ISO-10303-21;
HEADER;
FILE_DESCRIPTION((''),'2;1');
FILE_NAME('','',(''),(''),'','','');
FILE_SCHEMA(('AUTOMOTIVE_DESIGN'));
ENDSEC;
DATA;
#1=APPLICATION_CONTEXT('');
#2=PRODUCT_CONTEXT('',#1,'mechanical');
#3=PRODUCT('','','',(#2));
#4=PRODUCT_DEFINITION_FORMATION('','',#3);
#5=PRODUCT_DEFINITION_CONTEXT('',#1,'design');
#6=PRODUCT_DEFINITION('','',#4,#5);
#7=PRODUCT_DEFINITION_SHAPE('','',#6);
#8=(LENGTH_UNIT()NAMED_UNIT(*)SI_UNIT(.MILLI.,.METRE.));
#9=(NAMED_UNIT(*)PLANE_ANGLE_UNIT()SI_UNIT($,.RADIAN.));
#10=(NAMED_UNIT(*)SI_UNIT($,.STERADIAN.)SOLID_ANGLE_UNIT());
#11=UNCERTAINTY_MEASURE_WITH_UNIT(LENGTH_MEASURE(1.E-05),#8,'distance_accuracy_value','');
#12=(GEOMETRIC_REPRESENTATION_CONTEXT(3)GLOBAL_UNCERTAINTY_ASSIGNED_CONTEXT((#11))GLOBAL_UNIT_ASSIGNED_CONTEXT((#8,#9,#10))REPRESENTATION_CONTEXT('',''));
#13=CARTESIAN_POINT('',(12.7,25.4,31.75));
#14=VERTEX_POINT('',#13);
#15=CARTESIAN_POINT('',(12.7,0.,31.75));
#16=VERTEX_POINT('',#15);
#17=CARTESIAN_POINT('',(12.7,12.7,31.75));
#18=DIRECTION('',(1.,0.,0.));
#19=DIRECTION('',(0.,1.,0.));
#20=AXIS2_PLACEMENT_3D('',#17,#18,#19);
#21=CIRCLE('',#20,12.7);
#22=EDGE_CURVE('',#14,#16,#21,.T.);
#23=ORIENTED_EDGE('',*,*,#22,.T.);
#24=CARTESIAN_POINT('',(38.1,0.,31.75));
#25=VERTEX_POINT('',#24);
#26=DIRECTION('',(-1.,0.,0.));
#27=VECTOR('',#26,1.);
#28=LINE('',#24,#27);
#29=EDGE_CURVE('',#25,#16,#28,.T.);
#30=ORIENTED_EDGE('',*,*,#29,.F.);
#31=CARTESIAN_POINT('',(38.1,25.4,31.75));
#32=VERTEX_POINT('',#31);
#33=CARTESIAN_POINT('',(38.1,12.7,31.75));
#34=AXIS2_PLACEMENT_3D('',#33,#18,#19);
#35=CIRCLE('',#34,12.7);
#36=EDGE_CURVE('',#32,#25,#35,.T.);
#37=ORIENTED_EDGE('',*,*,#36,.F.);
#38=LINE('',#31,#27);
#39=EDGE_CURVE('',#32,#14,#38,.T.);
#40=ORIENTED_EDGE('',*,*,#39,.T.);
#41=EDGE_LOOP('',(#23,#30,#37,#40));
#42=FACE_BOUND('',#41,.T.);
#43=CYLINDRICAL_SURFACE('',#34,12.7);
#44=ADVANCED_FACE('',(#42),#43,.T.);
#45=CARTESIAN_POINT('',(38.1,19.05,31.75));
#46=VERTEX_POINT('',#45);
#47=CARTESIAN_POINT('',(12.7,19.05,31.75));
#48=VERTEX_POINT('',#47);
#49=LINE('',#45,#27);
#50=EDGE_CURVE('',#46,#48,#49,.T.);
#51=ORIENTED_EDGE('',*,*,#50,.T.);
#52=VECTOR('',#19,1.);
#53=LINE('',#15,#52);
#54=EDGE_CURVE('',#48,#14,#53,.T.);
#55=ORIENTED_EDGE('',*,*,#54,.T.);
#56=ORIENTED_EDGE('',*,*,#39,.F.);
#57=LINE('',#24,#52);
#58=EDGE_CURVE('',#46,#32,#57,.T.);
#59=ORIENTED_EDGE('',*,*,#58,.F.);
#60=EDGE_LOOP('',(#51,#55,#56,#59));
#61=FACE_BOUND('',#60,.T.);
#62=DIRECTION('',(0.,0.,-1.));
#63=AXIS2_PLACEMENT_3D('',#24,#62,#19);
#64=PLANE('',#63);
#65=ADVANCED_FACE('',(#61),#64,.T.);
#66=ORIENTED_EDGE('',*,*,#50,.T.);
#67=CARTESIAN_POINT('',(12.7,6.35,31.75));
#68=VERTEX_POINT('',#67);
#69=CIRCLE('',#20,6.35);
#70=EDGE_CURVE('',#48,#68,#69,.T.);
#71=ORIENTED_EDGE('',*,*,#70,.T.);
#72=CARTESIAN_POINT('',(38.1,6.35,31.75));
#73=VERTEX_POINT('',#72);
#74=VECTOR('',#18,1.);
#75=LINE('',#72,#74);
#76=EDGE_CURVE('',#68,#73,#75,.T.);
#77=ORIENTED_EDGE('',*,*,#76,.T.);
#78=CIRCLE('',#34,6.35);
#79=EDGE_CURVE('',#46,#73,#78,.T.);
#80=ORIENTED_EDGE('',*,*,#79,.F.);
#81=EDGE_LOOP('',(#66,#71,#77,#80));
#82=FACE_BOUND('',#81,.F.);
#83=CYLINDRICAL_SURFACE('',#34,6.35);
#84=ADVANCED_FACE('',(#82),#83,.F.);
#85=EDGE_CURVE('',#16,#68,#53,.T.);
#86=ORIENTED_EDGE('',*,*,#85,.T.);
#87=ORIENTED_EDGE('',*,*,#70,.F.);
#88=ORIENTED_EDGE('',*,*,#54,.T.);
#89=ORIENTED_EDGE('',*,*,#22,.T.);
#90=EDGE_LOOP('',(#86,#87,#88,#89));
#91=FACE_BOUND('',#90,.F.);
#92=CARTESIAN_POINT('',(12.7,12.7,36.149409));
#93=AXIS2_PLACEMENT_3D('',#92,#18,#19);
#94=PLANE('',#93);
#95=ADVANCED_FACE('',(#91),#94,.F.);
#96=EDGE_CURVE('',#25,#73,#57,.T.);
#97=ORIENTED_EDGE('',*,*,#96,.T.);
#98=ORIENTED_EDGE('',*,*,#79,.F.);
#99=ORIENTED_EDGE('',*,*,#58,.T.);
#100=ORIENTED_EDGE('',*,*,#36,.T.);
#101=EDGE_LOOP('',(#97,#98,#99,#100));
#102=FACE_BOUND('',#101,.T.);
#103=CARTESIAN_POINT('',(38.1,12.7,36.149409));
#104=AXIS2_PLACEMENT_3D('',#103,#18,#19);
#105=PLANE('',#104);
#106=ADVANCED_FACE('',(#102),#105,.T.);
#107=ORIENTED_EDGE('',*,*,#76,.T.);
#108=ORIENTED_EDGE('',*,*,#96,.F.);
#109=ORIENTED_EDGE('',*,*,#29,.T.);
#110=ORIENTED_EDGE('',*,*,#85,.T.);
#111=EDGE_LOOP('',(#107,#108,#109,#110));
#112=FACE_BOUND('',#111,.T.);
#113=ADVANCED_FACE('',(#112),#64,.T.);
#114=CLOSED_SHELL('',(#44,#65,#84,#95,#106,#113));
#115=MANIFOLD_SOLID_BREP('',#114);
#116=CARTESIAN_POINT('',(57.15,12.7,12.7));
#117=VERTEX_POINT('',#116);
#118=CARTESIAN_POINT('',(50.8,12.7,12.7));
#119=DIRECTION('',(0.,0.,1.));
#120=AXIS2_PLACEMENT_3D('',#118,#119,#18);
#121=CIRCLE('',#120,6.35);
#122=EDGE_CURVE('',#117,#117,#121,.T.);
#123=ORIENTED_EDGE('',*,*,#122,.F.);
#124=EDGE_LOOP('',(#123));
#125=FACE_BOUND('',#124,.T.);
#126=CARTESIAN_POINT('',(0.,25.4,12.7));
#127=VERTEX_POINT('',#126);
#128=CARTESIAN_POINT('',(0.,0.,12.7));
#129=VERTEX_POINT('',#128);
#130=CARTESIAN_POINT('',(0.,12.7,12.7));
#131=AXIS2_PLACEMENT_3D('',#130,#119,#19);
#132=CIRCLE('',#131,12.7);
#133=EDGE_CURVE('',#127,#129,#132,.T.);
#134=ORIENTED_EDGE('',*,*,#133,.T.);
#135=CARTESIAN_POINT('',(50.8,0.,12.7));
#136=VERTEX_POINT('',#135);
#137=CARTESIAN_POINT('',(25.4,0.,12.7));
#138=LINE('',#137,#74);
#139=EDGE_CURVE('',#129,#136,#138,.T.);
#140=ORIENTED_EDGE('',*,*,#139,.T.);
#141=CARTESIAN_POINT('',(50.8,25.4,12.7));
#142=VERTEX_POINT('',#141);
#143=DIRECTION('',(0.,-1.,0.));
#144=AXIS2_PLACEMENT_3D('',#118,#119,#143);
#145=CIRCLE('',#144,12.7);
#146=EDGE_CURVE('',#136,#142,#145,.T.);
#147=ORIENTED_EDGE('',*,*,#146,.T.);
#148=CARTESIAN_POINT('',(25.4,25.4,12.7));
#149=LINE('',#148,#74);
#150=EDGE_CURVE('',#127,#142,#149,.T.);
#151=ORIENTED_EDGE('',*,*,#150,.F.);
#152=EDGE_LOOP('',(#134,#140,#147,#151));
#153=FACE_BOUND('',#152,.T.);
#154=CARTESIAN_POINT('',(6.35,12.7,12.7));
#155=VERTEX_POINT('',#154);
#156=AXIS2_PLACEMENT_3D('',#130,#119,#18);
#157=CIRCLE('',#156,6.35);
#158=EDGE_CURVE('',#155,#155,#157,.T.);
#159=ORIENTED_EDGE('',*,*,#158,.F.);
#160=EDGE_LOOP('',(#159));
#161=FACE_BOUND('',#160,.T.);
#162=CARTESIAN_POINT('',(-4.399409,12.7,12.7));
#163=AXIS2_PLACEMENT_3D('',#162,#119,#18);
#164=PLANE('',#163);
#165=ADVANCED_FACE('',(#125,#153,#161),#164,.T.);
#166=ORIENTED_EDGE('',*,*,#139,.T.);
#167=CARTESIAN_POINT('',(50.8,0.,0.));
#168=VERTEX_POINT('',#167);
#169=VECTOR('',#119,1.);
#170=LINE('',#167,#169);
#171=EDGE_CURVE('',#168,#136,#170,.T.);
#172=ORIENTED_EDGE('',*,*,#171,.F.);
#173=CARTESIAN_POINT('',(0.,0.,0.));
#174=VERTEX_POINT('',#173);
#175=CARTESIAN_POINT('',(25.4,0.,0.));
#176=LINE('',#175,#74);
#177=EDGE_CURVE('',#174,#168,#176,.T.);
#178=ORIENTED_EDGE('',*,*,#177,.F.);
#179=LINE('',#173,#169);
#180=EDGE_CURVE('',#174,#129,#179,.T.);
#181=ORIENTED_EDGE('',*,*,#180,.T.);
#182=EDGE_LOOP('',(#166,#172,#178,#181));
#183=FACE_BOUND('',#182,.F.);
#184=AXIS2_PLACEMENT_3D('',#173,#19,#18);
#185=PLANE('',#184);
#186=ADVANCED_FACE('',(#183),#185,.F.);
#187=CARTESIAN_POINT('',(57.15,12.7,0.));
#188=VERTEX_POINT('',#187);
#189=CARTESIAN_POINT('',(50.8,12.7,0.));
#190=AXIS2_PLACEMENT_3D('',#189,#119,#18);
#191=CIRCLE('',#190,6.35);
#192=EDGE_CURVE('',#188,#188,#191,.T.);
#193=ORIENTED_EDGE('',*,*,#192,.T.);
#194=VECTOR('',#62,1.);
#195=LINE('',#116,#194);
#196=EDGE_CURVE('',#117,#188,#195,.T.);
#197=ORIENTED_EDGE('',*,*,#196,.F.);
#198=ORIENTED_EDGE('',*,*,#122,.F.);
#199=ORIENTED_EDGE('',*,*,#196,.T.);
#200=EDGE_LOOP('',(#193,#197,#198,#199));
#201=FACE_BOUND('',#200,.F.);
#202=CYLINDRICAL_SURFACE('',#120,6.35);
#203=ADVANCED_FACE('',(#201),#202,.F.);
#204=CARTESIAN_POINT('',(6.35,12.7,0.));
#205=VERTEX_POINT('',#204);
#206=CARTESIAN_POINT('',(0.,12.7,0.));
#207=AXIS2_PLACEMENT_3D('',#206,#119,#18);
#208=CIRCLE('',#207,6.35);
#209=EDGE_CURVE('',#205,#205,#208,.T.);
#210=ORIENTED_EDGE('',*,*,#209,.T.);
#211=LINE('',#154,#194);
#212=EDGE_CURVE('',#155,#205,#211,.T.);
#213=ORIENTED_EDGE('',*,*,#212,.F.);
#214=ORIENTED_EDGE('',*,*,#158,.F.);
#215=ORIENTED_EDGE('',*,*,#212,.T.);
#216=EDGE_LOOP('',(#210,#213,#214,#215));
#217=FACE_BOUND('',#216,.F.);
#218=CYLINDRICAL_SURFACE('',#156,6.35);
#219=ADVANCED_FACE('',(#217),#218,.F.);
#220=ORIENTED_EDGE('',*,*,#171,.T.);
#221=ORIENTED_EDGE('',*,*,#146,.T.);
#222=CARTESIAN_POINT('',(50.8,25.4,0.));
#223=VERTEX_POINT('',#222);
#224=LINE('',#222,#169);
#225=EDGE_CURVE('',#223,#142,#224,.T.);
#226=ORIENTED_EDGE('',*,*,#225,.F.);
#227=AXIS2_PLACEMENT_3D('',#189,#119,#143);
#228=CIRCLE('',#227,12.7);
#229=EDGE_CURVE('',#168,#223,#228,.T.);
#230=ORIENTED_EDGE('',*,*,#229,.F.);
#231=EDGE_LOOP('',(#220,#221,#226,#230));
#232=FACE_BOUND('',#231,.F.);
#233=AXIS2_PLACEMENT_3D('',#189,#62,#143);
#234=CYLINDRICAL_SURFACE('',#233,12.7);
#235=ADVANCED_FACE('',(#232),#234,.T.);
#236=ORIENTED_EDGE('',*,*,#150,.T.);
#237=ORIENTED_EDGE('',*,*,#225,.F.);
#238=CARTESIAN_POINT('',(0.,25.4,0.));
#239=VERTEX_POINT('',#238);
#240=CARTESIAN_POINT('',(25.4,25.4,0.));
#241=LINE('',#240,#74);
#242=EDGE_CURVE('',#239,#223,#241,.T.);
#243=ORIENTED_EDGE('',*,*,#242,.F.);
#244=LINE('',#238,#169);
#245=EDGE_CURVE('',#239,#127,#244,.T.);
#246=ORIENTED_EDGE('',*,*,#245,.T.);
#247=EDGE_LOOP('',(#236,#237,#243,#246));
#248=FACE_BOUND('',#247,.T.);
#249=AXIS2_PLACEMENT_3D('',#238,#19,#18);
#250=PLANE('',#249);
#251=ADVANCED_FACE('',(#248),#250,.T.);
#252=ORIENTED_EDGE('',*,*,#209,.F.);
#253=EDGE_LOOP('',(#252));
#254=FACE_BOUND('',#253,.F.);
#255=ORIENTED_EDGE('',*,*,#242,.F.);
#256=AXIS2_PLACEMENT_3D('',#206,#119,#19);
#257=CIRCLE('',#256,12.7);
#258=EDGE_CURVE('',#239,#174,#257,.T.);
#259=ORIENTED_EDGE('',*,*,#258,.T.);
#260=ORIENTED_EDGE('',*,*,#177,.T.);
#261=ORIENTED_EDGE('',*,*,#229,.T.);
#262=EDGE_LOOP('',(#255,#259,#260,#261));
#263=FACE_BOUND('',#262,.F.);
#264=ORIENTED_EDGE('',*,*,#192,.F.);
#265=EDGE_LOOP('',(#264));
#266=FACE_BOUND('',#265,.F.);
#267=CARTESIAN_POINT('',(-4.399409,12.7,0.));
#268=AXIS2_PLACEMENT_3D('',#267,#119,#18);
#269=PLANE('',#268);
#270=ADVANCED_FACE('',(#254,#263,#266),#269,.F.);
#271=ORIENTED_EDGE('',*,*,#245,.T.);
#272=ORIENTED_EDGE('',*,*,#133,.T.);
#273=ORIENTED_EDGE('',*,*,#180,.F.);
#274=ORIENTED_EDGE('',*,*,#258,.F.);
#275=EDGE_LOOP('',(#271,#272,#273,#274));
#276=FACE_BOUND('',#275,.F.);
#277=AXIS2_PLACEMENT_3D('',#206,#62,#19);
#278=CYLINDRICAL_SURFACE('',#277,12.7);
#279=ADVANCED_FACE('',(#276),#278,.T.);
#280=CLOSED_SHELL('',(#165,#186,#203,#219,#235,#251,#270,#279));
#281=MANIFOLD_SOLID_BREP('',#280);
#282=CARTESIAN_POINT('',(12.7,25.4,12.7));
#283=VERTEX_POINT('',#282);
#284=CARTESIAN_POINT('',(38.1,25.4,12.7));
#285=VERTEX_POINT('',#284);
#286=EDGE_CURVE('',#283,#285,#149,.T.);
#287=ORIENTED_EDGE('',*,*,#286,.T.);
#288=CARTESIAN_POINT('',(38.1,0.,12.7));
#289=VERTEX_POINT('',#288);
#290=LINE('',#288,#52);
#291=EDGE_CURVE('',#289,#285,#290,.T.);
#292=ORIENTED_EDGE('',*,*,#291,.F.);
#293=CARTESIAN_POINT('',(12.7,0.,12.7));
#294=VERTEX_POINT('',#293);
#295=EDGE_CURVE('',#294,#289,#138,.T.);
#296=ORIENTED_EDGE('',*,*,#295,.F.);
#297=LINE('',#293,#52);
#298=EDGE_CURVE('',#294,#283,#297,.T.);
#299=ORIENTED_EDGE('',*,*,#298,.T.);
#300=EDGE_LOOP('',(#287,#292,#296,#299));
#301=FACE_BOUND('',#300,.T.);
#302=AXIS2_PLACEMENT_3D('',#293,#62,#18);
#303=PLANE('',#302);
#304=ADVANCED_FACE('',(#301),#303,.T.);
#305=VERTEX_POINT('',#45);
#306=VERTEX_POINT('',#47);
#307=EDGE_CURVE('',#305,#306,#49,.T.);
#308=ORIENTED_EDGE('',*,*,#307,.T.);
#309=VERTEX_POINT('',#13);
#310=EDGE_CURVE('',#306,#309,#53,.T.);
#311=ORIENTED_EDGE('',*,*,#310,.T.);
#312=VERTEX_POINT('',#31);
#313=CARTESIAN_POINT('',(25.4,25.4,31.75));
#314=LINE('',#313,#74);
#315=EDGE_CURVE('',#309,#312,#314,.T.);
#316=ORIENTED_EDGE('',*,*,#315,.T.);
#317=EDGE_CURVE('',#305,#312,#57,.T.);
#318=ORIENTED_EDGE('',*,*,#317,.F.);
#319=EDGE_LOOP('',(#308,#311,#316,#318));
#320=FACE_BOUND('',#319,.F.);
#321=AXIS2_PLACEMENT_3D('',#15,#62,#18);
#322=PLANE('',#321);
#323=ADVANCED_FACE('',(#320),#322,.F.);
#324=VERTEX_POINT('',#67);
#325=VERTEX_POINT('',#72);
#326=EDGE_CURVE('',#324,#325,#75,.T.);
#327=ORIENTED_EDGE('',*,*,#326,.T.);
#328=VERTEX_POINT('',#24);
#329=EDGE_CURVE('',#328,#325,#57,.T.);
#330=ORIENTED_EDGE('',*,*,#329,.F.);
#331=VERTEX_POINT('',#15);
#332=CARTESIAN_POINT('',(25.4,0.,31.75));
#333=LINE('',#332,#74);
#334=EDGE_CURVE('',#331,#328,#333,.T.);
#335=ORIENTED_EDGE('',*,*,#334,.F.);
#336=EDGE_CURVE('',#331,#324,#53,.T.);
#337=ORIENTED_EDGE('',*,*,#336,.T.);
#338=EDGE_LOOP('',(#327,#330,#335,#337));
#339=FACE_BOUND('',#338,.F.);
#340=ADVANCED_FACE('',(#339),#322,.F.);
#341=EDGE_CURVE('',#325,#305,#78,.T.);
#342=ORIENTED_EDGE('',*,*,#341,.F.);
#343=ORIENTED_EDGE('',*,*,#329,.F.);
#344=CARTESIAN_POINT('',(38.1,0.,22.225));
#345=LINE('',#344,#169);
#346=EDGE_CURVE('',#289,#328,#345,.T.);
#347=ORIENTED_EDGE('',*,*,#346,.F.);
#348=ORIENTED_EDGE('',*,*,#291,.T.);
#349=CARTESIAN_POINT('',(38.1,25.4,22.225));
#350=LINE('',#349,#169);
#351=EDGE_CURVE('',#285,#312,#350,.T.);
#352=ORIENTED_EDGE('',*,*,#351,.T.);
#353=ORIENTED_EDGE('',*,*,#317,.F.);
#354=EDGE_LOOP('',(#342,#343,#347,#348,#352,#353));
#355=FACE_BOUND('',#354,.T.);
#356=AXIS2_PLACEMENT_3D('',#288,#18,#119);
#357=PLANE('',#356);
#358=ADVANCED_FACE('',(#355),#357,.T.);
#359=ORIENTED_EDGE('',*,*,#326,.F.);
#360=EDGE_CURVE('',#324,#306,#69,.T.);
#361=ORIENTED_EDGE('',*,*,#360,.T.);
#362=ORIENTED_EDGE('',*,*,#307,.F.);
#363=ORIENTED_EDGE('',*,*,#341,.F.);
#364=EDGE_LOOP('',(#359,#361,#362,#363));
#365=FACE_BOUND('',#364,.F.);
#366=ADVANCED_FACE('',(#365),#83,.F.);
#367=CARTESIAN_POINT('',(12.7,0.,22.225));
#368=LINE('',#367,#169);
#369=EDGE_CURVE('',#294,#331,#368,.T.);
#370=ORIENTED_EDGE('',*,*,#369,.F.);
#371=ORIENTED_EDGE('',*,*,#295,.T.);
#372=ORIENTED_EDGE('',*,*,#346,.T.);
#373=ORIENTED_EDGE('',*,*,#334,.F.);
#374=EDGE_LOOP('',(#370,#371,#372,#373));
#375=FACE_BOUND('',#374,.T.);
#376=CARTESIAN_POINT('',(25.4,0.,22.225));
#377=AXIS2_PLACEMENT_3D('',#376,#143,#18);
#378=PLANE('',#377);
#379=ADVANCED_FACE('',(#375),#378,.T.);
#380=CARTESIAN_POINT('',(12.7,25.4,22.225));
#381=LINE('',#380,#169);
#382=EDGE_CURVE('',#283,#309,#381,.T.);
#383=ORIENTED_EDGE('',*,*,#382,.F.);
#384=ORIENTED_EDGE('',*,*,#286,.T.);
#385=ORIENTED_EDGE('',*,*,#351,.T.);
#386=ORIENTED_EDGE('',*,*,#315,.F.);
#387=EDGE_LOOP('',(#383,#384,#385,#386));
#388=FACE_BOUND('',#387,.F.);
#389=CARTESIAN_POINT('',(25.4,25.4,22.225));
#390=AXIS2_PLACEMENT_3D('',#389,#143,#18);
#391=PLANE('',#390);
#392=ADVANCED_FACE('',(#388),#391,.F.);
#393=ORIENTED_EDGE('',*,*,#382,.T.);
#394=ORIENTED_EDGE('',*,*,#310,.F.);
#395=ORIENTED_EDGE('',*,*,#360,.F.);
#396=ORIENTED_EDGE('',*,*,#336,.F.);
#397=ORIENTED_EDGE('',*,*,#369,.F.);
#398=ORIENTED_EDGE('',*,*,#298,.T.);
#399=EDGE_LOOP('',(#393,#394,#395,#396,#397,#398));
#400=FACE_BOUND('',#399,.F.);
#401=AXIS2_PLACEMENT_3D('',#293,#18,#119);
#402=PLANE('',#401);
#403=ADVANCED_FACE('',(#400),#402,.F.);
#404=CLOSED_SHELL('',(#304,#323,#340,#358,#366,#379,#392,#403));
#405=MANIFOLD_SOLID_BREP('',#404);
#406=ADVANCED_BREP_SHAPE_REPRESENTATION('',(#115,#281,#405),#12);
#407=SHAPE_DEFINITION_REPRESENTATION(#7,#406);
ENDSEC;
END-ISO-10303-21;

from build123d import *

# Parameters (mm, degrees)
F0_W      = 50.8
F0_H      = 25.4
F1_DEPTH  = 12.7
F2_R      = 6.35
F3_DEPTH  = 25.4
F4_W      = 25.4
F4_H      = 19.05
F5_DEPTH  = 25.4
F7_DEPTH  = 25.4
F9_DEPTH  = 25.4
F11_DEPTH = 25.4


with BuildPart() as f1:
    # F0 (on Top) → F1 (new body)
    with BuildSketch(Plane.XY):
        with BuildLine():
            ThreePointArc((0, 25.4), (-12.7, 12.7), (0, 0))
            Line((0, 0), (0, 25.4))
        make_face()
        with Locations((25.4, 12.7)):
            Rectangle(F0_W, F0_H)
        with BuildLine():
            Line((50.8, 25.4), (50.8, 0))
            ThreePointArc((50.8, 0), (63.5, 12.7), (50.8, 25.4))
        make_face()
    extrude(amount=F1_DEPTH)

    # F2 (on face) → F3 (cut)
    with BuildSketch(Plane.XY.offset(12.7)):
        with Locations((0, 12.7)):
            Circle(F2_R)
        with Locations((50.8, 12.7)):
            Circle(F2_R)
    extrude(amount=-F3_DEPTH, mode=Mode.SUBTRACT)

    # F10 (on face) → F11 (cut)
    with BuildSketch(Plane.YZ.offset(38.1)):
        with BuildLine():
            ThreePointArc((6.35, 31.75), (12.7, 25.4), (19.05, 31.75))
            ThreePointArc((19.05, 31.75), (12.7, 38.1), (6.35, 31.75))
        make_face()
    extrude(amount=-F11_DEPTH, mode=Mode.SUBTRACT)


with BuildPart() as f5:
    # F4 (on face) → F5 (new body)
    with BuildSketch(Plane.XZ):
        with Locations((25.4, 22.225)):
            Rectangle(F4_W, F4_H)
    extrude(amount=-F5_DEPTH)


with BuildPart() as f7:
    # F6 (on face) → F7 (new body)
    with BuildSketch(Plane.YZ.offset(38.1)):
        with BuildLine():
            Line((0, 31.75), (25.4, 31.75))
            ThreePointArc((25.4, 31.75), (12.7, 44.45), (0, 31.75))
        make_face()
    extrude(amount=-F7_DEPTH)


with BuildPart() as f9_tool:
    # F8 (on face) → F9 (new body)
    with BuildSketch(Plane.YZ.offset(38.1)):
        with BuildLine():
            ThreePointArc((6.35, 31.75), (12.7, 25.4), (19.05, 31.75))
            Line((19.05, 31.75), (6.35, 31.75))
        make_face()
        with BuildLine():
            Line((6.35, 31.75), (19.05, 31.75))
            ThreePointArc((19.05, 31.75), (12.7, 38.1), (6.35, 31.75))
        make_face()
    extrude(amount=-F9_DEPTH)


with BuildPart() as f5_1:
    add(f5.part)

    # F9: cut by f9_tool
    add(f9_tool.part, mode=Mode.SUBTRACT)


with BuildPart() as f7_1:
    add(f7.part)

    # F9: cut by f9_tool
    add(f9_tool.part, mode=Mode.SUBTRACT)


solid = Compound([f1.part, f5_1.part, f7_1.part])
